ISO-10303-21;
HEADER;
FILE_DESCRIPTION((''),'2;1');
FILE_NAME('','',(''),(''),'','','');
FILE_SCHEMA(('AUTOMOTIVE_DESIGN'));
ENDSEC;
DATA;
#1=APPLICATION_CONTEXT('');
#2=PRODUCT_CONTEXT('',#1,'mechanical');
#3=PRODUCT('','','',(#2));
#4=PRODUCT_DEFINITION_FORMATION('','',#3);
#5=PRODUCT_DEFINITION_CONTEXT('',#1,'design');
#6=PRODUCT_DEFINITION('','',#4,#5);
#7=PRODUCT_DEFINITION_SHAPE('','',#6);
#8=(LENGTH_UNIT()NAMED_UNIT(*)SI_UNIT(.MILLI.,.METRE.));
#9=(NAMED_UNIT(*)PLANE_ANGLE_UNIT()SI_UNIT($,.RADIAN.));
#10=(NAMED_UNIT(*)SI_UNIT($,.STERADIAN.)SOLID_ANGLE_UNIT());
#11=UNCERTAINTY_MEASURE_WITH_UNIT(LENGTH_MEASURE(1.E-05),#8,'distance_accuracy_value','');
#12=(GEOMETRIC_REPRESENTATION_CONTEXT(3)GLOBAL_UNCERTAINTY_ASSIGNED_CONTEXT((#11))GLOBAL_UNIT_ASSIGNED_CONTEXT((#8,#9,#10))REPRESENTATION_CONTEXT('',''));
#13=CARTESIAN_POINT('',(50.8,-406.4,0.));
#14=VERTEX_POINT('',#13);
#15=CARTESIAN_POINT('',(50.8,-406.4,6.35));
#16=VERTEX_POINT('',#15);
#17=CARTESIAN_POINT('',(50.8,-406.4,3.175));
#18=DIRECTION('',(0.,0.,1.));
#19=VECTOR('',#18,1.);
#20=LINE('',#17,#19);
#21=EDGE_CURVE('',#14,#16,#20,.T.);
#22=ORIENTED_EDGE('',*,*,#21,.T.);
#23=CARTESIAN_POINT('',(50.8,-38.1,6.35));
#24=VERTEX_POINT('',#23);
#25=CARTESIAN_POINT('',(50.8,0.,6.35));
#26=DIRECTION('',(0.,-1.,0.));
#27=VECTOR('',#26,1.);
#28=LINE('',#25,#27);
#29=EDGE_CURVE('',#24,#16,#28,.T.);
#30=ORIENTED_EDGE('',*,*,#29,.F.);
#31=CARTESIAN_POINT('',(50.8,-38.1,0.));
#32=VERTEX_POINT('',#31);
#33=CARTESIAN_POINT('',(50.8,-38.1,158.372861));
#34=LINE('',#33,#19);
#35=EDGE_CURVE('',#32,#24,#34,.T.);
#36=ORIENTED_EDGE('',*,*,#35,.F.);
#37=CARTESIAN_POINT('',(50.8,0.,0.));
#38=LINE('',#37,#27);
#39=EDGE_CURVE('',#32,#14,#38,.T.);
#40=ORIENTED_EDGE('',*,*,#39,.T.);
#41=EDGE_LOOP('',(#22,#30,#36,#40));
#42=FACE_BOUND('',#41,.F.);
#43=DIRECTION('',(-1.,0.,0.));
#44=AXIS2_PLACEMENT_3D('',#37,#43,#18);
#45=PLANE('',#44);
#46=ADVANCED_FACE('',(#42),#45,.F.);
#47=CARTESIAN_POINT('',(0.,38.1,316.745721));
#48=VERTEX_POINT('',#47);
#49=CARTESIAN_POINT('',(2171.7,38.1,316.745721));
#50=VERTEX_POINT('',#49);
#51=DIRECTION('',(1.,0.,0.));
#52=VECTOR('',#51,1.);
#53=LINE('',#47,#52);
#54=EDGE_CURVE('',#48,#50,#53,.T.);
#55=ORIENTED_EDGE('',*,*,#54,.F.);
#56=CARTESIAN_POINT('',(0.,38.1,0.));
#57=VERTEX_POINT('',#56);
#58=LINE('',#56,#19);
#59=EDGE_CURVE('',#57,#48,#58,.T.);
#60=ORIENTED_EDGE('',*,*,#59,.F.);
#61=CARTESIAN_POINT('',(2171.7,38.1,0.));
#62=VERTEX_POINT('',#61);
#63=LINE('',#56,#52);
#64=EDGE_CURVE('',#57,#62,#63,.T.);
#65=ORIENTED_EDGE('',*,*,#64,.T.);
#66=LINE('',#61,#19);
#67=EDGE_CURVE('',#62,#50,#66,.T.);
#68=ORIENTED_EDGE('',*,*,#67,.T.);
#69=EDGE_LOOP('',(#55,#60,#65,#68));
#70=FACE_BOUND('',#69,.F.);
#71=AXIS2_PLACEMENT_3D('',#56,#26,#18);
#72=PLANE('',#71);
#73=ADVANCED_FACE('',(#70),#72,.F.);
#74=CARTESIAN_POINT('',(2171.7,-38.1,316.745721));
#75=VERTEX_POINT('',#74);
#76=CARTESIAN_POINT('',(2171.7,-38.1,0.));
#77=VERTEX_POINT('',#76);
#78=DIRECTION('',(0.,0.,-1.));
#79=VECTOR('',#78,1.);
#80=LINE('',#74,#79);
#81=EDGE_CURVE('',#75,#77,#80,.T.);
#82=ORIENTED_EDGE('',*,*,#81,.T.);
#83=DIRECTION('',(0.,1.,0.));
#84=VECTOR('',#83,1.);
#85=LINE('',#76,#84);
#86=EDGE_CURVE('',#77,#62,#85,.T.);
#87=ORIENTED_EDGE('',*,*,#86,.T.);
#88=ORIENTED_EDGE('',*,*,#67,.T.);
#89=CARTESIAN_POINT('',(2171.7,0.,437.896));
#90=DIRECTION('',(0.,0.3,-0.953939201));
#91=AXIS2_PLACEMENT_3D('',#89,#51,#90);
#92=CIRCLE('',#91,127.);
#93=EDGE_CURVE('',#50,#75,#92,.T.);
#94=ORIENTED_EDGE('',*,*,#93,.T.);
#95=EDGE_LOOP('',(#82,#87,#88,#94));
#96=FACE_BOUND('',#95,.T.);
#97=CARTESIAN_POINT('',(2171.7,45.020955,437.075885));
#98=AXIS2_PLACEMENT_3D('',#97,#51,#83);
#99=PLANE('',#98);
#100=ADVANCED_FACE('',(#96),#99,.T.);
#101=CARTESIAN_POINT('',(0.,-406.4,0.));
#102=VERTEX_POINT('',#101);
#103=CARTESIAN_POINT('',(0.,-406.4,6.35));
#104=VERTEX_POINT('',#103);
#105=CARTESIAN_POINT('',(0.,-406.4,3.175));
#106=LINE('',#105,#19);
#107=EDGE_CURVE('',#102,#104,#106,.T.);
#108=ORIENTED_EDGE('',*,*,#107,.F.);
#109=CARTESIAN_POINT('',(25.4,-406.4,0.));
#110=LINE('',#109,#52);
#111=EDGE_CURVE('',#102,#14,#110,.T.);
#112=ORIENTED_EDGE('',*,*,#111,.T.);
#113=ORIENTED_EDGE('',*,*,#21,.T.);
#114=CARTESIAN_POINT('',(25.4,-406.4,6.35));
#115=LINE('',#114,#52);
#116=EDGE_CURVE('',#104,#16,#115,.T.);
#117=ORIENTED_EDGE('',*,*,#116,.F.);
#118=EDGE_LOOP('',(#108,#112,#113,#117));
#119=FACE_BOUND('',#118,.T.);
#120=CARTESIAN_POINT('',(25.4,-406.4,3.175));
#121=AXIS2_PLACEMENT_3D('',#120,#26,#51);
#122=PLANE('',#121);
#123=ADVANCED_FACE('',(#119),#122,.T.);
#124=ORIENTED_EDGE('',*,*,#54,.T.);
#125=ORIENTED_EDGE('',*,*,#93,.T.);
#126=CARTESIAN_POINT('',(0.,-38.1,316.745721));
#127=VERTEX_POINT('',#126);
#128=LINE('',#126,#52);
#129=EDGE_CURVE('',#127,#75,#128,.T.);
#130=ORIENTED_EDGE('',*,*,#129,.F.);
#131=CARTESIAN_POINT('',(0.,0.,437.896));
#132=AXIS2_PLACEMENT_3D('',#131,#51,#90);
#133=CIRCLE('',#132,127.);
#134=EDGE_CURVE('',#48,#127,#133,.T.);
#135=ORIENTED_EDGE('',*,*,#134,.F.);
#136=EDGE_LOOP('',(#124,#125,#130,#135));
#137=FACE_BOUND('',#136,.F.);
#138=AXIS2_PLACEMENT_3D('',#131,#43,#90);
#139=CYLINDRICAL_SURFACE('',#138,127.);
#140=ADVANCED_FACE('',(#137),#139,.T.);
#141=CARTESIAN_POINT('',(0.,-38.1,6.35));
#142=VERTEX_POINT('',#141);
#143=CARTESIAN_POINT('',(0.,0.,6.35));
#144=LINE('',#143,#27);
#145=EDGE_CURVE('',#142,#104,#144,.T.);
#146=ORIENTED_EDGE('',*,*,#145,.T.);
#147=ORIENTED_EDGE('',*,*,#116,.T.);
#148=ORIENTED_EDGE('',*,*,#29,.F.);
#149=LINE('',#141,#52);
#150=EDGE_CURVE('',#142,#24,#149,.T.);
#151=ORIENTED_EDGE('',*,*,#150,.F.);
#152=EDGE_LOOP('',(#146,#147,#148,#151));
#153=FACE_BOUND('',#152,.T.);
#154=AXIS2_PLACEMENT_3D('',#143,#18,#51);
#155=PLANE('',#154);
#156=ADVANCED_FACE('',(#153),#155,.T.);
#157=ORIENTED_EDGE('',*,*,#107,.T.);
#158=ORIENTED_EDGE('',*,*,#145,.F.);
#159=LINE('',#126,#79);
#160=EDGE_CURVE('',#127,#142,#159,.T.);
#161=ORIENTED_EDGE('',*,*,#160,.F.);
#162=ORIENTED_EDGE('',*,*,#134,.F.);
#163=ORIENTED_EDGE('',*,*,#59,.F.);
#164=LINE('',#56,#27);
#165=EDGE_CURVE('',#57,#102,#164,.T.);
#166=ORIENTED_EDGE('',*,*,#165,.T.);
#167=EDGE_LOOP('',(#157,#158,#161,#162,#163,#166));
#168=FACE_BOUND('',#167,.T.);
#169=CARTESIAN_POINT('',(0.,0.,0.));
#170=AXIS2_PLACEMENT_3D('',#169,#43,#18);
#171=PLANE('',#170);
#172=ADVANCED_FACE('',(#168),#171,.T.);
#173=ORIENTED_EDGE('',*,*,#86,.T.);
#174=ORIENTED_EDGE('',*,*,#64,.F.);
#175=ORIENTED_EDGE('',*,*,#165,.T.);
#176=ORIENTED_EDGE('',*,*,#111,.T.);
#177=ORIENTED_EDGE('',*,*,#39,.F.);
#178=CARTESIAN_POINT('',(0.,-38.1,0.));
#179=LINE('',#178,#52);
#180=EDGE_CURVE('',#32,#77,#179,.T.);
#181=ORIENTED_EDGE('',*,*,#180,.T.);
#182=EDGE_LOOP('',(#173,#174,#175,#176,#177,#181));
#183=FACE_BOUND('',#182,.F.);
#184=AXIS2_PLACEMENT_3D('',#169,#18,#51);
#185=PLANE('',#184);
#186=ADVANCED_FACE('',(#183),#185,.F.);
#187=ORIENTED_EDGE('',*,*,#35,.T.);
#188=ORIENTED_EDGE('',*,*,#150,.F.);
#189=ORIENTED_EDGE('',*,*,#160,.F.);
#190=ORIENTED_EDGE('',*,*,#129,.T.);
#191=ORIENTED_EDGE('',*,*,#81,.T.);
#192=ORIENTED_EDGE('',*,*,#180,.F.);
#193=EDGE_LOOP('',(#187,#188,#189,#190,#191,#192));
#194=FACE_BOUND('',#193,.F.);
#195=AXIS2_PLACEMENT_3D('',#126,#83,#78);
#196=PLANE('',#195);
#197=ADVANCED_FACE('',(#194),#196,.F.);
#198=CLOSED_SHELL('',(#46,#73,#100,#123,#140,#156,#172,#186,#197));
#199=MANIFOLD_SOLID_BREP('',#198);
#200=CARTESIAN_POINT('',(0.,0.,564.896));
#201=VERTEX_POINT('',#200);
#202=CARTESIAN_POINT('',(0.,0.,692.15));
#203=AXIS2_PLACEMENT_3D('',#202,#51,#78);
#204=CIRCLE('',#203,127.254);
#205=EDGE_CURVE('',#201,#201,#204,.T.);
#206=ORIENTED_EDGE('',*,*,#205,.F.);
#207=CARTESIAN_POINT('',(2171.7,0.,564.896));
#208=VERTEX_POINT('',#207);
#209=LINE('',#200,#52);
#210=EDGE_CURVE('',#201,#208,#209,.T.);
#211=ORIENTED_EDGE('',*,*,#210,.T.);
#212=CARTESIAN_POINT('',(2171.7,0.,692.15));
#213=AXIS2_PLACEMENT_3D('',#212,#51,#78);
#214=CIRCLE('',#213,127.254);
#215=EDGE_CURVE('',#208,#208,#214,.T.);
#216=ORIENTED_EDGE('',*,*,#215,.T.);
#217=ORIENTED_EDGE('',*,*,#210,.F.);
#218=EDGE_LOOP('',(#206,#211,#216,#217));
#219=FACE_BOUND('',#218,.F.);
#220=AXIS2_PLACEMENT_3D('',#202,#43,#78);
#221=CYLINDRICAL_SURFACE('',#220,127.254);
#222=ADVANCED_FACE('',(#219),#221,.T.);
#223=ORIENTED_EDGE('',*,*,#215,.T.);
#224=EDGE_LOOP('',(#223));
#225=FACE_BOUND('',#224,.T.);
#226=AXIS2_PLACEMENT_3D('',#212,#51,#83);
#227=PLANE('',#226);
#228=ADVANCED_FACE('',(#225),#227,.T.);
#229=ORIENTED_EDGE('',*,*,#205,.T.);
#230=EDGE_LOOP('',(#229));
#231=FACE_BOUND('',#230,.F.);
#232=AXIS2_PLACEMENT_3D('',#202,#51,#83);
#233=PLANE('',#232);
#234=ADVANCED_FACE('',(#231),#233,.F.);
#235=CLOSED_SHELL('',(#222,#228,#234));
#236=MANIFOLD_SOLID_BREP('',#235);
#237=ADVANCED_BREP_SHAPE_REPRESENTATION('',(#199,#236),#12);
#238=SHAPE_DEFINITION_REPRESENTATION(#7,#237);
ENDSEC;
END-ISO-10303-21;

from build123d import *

# Parameters (mm, degrees)
F1_DEPTH = 2171.7
F2_W     = 50.8
F2_H     = 6.35
F3_DEPTH = 406.4


with BuildPart() as f1:
    # F0 (on Right) → F1 (new body)
    with BuildSketch(Plane.YZ):
        with BuildLine():
            ThreePointArc((127.254, 692.15), (-89.9821663331, 782.1321663331), (0, 564.896))
            ThreePointArc((0, 564.896), (89.9821663331, 602.1678336669), (127.254, 692.15))
        make_face()
    extrude(amount=F1_DEPTH)


with BuildPart() as f1b:
    # F0 (on Right) → F1, piece 2 (new body)
    with BuildSketch(Plane.YZ):
        with BuildLine():
            ThreePointArc((0, 310.896), (19.2732278089, 312.3669488213), (38.1, 316.74572142))
            ThreePointArc((38.1, 316.74572142), (102.3906734034, 362.7617867546), (127, 437.896))
            ThreePointArc((127, 437.896), (89.8025612107, 527.6985612107), (0, 564.896))
            Line((0, 564.896), (0, 437.896))
            Line((0, 437.896), (0, 310.896))
        make_face()
        with BuildLine():
            ThreePointArc((-38.1, 316.74572142), (-19.2732278089, 312.3669488213), (0, 310.896))
            Line((0, 310.896), (0, 437.896))
            Line((0, 437.896), (0, 564.896))
            ThreePointArc((0, 564.896), (-125.5290511787, 457.1692278089), (-38.1, 316.74572142))
        make_face()
        with BuildLine():
            Line((0, 0), (38.1, 0))
            Line((38.1, 0), (38.1, 316.74572142))
            ThreePointArc((38.1, 316.74572142), (19.2732278089, 312.3669488213), (0, 310.896))
            Line((0, 310.896), (0, 0))
        make_face()
        with BuildLine():
            Line((-38.1, 0), (0, 0))
            Line((0, 0), (0, 310.896))
            ThreePointArc((0, 310.896), (-19.2732278089, 312.3669488213), (-38.1, 316.74572142))
            Line((-38.1, 316.74572142), (-38.1, 0))
        make_face()
    extrude(amount=F1_DEPTH)

    # F2 (on Front) → F3 (join)
    with BuildSketch(Plane.XZ):
        with Locations((25.4, 3.175)):
            Rectangle(F2_W, F2_H)
    extrude(amount=F3_DEPTH)


solid = Compound([f1.part, f1b.part])
